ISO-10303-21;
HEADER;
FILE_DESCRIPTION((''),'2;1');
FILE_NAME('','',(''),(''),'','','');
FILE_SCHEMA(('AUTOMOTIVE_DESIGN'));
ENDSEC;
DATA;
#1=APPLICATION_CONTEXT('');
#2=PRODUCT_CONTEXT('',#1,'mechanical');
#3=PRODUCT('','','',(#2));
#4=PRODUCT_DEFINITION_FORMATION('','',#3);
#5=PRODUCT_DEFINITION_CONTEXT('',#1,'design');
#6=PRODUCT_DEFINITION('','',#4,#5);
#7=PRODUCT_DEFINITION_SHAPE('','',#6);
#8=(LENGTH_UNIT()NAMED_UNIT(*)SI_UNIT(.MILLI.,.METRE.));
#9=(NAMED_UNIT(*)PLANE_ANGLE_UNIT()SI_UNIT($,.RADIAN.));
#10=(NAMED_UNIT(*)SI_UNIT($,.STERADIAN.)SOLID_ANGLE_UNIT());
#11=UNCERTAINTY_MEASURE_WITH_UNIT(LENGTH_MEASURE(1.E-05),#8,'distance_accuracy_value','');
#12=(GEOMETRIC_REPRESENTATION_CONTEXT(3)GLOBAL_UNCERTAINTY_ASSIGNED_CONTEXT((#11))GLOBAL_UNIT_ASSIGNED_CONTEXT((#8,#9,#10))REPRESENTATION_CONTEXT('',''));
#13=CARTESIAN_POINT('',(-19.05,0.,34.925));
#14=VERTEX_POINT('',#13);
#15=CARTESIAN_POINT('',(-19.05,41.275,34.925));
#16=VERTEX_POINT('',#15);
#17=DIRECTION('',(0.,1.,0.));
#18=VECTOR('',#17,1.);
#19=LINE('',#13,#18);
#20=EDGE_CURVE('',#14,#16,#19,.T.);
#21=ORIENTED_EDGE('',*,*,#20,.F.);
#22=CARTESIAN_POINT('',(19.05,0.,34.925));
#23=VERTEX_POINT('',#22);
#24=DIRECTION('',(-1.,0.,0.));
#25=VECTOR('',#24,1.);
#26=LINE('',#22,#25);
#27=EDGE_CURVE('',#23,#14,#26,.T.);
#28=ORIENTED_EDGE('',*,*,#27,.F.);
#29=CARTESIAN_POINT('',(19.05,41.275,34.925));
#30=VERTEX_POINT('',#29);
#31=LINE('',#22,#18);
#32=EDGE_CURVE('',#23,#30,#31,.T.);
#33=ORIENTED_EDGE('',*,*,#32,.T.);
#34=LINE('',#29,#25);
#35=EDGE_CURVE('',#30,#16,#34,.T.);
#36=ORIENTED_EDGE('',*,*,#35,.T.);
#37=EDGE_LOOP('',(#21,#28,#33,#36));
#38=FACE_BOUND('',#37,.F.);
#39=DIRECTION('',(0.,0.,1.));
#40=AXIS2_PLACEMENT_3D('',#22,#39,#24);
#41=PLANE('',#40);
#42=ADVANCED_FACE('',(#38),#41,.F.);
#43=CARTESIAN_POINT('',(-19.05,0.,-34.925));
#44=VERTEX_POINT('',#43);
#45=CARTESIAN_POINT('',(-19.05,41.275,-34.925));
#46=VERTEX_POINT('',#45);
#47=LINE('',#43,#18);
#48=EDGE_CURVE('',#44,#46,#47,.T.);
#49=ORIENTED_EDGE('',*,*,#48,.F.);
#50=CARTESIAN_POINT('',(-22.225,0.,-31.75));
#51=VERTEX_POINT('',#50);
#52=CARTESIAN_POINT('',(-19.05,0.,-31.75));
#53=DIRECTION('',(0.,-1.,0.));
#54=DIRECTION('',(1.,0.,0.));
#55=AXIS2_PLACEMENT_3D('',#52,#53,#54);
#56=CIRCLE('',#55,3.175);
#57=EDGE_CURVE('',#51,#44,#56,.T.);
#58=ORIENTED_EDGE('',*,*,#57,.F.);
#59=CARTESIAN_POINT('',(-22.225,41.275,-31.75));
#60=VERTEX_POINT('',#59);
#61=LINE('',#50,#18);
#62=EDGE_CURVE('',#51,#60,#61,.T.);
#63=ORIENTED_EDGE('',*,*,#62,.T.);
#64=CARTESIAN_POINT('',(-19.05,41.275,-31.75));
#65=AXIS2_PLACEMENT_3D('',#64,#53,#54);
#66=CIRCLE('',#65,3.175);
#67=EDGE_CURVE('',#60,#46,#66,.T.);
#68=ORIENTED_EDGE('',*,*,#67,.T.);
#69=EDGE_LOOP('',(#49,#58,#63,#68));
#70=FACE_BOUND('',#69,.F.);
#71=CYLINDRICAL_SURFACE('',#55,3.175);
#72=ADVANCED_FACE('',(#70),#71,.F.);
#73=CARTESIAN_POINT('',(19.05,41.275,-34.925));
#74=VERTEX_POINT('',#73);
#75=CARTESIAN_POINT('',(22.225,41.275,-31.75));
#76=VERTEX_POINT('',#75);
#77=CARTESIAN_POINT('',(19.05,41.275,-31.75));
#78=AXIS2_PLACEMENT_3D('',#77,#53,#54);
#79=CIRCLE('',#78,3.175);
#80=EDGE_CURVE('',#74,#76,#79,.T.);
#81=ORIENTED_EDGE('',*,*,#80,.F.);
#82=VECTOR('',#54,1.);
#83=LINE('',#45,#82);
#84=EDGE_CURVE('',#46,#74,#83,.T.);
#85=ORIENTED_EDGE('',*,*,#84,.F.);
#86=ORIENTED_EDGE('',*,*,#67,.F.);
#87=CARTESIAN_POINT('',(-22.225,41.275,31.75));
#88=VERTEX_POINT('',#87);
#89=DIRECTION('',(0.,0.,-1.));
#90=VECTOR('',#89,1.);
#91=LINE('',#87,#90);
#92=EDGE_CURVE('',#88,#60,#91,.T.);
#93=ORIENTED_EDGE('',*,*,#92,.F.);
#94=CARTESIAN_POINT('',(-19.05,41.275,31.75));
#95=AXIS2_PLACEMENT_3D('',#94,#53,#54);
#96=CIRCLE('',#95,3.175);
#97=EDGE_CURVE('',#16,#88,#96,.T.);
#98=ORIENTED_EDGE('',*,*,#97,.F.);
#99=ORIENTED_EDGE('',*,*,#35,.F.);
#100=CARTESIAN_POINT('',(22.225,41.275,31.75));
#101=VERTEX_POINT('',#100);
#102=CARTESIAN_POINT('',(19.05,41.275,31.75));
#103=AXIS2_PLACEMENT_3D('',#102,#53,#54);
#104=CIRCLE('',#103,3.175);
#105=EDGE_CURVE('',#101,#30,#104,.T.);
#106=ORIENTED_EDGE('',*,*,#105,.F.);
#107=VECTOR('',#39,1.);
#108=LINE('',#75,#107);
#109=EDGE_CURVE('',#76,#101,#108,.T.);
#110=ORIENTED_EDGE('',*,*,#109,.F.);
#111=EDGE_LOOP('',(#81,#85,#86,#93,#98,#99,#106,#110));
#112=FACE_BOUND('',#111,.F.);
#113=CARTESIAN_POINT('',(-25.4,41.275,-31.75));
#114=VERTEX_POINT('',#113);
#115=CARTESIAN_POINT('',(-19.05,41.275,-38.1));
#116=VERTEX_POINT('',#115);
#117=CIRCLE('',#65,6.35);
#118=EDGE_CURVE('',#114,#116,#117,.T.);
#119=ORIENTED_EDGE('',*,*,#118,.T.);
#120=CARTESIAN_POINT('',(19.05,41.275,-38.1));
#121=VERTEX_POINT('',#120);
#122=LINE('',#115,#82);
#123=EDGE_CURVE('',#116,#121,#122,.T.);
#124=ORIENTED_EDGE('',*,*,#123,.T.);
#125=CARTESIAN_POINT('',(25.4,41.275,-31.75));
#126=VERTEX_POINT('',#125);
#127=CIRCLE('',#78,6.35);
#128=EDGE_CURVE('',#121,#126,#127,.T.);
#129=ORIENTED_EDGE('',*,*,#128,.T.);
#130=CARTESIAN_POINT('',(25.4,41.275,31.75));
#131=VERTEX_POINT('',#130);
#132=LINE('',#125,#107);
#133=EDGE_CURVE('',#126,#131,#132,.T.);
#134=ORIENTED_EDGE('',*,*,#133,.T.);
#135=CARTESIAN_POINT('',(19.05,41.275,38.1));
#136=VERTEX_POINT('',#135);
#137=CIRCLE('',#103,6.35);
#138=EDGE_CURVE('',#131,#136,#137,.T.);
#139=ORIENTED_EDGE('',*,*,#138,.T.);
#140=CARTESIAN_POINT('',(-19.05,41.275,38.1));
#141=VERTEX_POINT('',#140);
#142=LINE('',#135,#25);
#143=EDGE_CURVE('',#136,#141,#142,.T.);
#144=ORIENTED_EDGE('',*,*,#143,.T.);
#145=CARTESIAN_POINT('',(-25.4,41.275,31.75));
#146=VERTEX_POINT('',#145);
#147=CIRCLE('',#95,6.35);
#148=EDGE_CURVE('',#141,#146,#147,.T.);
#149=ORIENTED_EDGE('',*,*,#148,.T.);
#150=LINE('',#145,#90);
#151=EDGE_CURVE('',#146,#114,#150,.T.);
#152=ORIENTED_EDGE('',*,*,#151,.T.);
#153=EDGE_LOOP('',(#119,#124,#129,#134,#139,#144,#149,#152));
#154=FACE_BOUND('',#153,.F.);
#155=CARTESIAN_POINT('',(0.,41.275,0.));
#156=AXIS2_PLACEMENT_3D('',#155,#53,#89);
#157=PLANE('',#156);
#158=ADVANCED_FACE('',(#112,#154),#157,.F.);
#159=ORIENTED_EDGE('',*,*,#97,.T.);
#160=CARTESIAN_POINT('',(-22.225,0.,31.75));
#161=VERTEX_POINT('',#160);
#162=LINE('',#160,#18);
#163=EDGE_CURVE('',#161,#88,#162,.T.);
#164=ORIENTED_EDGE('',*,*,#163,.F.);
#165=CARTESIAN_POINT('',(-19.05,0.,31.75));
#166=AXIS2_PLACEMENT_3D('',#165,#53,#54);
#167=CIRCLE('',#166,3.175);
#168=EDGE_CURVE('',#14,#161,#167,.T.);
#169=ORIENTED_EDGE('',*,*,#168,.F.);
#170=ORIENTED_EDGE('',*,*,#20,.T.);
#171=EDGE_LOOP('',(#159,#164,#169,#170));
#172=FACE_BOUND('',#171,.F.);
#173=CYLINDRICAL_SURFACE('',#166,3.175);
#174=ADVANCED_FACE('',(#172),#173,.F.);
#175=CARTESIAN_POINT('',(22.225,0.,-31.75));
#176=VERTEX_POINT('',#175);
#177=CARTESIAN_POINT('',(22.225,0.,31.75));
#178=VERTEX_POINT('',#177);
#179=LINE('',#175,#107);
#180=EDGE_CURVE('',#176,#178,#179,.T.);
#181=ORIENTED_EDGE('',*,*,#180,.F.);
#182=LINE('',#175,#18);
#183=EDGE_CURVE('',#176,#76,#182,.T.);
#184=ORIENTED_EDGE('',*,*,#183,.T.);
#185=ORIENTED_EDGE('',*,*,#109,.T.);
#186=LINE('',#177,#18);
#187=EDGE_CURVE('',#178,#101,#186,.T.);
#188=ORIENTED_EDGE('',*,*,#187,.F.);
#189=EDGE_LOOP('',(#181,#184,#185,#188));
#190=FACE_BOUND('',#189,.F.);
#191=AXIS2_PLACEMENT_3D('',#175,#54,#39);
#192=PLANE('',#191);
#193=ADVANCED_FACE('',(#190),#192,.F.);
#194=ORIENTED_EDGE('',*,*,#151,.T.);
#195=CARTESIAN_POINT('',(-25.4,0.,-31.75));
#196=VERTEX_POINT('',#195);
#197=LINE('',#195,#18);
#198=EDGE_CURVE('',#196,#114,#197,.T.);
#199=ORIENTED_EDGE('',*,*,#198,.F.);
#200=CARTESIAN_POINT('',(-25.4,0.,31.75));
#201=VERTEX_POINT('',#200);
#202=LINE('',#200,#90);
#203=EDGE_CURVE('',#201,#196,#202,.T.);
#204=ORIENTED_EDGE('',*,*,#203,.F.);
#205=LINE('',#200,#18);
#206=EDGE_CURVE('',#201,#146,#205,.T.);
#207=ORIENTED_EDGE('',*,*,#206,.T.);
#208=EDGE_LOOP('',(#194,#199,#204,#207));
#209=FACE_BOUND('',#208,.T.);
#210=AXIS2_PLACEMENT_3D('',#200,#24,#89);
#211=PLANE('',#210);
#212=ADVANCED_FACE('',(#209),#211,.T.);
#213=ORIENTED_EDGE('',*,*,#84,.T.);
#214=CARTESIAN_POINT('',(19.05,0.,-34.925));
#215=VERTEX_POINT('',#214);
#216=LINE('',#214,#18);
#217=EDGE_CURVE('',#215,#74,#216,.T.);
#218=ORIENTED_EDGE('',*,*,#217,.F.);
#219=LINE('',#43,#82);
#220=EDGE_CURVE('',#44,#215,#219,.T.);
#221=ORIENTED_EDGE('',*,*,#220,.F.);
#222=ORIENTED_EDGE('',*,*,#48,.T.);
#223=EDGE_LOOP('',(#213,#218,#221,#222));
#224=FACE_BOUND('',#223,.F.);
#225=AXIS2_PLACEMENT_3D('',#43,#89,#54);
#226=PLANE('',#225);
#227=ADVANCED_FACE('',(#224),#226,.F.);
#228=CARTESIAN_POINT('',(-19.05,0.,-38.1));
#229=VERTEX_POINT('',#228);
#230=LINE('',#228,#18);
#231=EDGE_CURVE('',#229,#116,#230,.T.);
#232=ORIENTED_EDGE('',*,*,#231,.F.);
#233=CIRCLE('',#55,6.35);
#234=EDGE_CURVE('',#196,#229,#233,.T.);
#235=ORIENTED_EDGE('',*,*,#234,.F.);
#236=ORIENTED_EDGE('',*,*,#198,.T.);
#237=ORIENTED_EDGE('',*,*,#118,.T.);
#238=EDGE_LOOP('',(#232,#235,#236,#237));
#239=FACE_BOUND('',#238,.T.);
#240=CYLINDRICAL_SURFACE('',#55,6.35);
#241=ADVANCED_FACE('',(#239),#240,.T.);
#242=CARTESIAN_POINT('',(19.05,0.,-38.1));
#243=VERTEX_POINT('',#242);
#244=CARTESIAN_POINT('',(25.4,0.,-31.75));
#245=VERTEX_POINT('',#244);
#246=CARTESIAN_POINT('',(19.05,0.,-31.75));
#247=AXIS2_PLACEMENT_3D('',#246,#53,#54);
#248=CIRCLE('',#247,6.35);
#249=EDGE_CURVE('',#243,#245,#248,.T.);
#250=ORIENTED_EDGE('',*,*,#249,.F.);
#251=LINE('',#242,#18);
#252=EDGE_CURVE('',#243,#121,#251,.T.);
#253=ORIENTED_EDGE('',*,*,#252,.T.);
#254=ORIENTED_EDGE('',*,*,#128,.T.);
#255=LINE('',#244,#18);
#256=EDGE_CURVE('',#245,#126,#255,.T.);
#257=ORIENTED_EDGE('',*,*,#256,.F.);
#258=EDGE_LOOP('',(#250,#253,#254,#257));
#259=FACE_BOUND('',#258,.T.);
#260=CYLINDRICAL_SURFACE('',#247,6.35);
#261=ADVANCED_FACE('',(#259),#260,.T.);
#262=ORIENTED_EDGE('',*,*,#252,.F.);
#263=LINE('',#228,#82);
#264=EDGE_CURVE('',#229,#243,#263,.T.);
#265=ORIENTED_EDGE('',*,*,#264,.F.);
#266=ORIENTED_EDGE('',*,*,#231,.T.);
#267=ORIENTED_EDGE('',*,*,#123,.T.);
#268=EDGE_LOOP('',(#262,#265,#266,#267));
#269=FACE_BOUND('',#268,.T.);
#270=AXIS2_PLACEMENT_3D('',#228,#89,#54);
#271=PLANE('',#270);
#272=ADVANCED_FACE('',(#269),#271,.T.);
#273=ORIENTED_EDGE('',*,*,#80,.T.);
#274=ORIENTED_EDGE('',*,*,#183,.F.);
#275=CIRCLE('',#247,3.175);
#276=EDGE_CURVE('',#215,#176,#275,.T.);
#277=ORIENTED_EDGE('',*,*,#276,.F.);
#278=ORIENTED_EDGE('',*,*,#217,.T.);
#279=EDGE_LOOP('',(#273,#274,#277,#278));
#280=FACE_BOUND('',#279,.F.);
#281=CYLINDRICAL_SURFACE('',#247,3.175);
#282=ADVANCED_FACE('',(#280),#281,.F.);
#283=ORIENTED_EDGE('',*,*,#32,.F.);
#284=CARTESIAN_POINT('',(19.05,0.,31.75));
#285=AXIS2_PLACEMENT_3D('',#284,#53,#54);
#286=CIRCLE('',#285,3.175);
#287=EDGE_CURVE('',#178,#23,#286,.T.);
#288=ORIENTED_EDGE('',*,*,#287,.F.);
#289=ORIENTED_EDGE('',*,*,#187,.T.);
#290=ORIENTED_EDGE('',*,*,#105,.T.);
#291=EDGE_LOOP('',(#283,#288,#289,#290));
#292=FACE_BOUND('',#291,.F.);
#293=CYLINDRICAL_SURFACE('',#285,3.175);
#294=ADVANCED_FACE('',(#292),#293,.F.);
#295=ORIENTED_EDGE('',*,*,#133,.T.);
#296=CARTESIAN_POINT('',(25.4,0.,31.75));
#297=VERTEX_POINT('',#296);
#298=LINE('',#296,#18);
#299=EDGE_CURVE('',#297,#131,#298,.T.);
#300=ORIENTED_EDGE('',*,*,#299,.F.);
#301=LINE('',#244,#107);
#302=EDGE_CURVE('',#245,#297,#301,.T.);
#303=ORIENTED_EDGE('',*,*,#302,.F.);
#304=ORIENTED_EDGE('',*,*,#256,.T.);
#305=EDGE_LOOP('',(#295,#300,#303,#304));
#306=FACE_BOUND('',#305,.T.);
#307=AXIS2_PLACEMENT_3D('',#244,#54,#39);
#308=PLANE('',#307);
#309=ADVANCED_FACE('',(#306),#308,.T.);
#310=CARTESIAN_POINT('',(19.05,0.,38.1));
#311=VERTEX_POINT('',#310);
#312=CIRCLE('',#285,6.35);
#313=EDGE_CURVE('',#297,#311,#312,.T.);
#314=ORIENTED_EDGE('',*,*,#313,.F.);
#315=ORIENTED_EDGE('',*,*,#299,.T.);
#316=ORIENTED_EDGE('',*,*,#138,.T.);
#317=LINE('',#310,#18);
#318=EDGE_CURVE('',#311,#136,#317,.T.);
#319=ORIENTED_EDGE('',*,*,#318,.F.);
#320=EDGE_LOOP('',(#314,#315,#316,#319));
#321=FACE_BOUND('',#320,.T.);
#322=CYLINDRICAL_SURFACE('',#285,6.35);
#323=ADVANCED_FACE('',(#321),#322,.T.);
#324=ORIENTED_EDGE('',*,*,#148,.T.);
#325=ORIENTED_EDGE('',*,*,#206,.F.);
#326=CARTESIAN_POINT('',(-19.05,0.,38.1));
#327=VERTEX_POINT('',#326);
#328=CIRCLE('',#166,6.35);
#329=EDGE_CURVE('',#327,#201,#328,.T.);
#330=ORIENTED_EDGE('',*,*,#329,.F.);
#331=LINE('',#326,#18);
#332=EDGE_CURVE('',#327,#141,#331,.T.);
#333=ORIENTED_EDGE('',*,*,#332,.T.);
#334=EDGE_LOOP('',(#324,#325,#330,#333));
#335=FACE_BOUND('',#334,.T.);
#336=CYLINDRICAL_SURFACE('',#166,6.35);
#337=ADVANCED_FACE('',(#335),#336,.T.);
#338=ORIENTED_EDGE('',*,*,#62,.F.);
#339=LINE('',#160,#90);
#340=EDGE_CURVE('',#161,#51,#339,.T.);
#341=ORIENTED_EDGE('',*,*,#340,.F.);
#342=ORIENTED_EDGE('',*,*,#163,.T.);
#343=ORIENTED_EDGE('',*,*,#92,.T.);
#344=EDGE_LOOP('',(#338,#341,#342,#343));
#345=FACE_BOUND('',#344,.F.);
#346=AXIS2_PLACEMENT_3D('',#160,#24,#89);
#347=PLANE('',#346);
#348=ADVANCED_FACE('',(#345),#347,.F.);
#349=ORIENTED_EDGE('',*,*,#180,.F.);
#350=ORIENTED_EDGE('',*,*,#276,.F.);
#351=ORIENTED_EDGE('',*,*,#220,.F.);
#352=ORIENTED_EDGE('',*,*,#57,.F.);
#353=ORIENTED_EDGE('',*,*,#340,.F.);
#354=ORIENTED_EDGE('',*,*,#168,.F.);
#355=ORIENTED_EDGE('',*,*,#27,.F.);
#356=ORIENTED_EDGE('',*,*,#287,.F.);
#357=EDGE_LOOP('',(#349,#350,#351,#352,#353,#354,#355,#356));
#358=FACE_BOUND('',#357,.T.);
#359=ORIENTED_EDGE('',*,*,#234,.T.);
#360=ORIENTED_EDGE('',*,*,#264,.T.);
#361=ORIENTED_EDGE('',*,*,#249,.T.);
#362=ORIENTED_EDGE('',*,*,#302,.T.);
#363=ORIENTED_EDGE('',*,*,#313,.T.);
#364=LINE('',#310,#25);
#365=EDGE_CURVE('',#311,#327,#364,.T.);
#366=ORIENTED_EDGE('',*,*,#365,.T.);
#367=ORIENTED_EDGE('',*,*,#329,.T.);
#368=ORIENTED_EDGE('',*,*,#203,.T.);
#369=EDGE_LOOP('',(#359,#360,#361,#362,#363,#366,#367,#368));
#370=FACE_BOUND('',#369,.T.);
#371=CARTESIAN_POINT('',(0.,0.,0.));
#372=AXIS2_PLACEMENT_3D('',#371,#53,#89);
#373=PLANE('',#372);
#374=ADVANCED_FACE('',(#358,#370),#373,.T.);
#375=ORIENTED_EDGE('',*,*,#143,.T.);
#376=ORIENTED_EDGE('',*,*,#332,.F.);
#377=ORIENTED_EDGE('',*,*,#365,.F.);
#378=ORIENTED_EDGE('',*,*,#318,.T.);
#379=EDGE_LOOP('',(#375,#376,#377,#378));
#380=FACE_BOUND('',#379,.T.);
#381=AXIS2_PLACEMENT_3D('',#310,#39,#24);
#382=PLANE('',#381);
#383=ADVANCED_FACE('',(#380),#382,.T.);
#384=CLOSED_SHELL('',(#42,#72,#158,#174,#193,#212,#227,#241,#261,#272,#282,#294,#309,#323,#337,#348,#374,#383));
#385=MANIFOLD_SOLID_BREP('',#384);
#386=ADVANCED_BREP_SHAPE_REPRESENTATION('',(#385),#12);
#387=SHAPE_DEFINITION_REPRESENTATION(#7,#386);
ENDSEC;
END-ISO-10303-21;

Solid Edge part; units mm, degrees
sketch "Sketch1" plane through (0, 0, 0) normal (0, -1, 0) x (1, 0, 0)
  line L0 (-22.225, 31.75) -> (-22.225, -31.75)
  arc A0 (-22.225, -31.75) -> (-19.05, -34.925) centre (-19.05, -31.75) ccw
  line L1 (-19.05, -34.925) -> (19.05, -34.925)
  arc A1 (19.05, -34.925) -> (22.225, -31.75) centre (19.05, -31.75) ccw
  line L2 (22.225, -31.75) -> (22.225, 31.75)
  arc A2 (22.225, 31.75) -> (19.05, 34.925) centre (19.05, 31.75) ccw
  line L3 (19.05, 34.925) -> (-19.05, 34.925)
  arc A3 (-19.05, 34.925) -> (-22.225, 31.75) centre (-19.05, 31.75) ccw
  arc A4 (-25.4, -31.75) -> (-19.05, -38.1) centre (-19.05, -31.75) ccw
  line L4 (-19.05, -38.1) -> (19.05, -38.1)
  arc A5 (19.05, -38.1) -> (25.4, -31.75) centre (19.05, -31.75) ccw
  line L5 (25.4, -31.75) -> (25.4, 31.75)
  arc A6 (25.4, 31.75) -> (19.05, 38.1) centre (19.05, 31.75) ccw
  line L6 (19.05, 38.1) -> (-19.05, 38.1)
  arc A7 (-19.05, 38.1) -> (-25.4, 31.75) centre (-19.05, 31.75) ccw
  line L7 (-25.4, 31.75) -> (-25.4, -31.75)
  dimension "D1" = 50.8
  dimension "D2" = 76.2
  dimension "D3" = 3.175
  dimension "D4" = 3.175
  dimension "D5" = 3.175
  dimension "D6" = 3.175
extrude "Protrusion1" add sketch "Sketch1" against normal blind 41.275
